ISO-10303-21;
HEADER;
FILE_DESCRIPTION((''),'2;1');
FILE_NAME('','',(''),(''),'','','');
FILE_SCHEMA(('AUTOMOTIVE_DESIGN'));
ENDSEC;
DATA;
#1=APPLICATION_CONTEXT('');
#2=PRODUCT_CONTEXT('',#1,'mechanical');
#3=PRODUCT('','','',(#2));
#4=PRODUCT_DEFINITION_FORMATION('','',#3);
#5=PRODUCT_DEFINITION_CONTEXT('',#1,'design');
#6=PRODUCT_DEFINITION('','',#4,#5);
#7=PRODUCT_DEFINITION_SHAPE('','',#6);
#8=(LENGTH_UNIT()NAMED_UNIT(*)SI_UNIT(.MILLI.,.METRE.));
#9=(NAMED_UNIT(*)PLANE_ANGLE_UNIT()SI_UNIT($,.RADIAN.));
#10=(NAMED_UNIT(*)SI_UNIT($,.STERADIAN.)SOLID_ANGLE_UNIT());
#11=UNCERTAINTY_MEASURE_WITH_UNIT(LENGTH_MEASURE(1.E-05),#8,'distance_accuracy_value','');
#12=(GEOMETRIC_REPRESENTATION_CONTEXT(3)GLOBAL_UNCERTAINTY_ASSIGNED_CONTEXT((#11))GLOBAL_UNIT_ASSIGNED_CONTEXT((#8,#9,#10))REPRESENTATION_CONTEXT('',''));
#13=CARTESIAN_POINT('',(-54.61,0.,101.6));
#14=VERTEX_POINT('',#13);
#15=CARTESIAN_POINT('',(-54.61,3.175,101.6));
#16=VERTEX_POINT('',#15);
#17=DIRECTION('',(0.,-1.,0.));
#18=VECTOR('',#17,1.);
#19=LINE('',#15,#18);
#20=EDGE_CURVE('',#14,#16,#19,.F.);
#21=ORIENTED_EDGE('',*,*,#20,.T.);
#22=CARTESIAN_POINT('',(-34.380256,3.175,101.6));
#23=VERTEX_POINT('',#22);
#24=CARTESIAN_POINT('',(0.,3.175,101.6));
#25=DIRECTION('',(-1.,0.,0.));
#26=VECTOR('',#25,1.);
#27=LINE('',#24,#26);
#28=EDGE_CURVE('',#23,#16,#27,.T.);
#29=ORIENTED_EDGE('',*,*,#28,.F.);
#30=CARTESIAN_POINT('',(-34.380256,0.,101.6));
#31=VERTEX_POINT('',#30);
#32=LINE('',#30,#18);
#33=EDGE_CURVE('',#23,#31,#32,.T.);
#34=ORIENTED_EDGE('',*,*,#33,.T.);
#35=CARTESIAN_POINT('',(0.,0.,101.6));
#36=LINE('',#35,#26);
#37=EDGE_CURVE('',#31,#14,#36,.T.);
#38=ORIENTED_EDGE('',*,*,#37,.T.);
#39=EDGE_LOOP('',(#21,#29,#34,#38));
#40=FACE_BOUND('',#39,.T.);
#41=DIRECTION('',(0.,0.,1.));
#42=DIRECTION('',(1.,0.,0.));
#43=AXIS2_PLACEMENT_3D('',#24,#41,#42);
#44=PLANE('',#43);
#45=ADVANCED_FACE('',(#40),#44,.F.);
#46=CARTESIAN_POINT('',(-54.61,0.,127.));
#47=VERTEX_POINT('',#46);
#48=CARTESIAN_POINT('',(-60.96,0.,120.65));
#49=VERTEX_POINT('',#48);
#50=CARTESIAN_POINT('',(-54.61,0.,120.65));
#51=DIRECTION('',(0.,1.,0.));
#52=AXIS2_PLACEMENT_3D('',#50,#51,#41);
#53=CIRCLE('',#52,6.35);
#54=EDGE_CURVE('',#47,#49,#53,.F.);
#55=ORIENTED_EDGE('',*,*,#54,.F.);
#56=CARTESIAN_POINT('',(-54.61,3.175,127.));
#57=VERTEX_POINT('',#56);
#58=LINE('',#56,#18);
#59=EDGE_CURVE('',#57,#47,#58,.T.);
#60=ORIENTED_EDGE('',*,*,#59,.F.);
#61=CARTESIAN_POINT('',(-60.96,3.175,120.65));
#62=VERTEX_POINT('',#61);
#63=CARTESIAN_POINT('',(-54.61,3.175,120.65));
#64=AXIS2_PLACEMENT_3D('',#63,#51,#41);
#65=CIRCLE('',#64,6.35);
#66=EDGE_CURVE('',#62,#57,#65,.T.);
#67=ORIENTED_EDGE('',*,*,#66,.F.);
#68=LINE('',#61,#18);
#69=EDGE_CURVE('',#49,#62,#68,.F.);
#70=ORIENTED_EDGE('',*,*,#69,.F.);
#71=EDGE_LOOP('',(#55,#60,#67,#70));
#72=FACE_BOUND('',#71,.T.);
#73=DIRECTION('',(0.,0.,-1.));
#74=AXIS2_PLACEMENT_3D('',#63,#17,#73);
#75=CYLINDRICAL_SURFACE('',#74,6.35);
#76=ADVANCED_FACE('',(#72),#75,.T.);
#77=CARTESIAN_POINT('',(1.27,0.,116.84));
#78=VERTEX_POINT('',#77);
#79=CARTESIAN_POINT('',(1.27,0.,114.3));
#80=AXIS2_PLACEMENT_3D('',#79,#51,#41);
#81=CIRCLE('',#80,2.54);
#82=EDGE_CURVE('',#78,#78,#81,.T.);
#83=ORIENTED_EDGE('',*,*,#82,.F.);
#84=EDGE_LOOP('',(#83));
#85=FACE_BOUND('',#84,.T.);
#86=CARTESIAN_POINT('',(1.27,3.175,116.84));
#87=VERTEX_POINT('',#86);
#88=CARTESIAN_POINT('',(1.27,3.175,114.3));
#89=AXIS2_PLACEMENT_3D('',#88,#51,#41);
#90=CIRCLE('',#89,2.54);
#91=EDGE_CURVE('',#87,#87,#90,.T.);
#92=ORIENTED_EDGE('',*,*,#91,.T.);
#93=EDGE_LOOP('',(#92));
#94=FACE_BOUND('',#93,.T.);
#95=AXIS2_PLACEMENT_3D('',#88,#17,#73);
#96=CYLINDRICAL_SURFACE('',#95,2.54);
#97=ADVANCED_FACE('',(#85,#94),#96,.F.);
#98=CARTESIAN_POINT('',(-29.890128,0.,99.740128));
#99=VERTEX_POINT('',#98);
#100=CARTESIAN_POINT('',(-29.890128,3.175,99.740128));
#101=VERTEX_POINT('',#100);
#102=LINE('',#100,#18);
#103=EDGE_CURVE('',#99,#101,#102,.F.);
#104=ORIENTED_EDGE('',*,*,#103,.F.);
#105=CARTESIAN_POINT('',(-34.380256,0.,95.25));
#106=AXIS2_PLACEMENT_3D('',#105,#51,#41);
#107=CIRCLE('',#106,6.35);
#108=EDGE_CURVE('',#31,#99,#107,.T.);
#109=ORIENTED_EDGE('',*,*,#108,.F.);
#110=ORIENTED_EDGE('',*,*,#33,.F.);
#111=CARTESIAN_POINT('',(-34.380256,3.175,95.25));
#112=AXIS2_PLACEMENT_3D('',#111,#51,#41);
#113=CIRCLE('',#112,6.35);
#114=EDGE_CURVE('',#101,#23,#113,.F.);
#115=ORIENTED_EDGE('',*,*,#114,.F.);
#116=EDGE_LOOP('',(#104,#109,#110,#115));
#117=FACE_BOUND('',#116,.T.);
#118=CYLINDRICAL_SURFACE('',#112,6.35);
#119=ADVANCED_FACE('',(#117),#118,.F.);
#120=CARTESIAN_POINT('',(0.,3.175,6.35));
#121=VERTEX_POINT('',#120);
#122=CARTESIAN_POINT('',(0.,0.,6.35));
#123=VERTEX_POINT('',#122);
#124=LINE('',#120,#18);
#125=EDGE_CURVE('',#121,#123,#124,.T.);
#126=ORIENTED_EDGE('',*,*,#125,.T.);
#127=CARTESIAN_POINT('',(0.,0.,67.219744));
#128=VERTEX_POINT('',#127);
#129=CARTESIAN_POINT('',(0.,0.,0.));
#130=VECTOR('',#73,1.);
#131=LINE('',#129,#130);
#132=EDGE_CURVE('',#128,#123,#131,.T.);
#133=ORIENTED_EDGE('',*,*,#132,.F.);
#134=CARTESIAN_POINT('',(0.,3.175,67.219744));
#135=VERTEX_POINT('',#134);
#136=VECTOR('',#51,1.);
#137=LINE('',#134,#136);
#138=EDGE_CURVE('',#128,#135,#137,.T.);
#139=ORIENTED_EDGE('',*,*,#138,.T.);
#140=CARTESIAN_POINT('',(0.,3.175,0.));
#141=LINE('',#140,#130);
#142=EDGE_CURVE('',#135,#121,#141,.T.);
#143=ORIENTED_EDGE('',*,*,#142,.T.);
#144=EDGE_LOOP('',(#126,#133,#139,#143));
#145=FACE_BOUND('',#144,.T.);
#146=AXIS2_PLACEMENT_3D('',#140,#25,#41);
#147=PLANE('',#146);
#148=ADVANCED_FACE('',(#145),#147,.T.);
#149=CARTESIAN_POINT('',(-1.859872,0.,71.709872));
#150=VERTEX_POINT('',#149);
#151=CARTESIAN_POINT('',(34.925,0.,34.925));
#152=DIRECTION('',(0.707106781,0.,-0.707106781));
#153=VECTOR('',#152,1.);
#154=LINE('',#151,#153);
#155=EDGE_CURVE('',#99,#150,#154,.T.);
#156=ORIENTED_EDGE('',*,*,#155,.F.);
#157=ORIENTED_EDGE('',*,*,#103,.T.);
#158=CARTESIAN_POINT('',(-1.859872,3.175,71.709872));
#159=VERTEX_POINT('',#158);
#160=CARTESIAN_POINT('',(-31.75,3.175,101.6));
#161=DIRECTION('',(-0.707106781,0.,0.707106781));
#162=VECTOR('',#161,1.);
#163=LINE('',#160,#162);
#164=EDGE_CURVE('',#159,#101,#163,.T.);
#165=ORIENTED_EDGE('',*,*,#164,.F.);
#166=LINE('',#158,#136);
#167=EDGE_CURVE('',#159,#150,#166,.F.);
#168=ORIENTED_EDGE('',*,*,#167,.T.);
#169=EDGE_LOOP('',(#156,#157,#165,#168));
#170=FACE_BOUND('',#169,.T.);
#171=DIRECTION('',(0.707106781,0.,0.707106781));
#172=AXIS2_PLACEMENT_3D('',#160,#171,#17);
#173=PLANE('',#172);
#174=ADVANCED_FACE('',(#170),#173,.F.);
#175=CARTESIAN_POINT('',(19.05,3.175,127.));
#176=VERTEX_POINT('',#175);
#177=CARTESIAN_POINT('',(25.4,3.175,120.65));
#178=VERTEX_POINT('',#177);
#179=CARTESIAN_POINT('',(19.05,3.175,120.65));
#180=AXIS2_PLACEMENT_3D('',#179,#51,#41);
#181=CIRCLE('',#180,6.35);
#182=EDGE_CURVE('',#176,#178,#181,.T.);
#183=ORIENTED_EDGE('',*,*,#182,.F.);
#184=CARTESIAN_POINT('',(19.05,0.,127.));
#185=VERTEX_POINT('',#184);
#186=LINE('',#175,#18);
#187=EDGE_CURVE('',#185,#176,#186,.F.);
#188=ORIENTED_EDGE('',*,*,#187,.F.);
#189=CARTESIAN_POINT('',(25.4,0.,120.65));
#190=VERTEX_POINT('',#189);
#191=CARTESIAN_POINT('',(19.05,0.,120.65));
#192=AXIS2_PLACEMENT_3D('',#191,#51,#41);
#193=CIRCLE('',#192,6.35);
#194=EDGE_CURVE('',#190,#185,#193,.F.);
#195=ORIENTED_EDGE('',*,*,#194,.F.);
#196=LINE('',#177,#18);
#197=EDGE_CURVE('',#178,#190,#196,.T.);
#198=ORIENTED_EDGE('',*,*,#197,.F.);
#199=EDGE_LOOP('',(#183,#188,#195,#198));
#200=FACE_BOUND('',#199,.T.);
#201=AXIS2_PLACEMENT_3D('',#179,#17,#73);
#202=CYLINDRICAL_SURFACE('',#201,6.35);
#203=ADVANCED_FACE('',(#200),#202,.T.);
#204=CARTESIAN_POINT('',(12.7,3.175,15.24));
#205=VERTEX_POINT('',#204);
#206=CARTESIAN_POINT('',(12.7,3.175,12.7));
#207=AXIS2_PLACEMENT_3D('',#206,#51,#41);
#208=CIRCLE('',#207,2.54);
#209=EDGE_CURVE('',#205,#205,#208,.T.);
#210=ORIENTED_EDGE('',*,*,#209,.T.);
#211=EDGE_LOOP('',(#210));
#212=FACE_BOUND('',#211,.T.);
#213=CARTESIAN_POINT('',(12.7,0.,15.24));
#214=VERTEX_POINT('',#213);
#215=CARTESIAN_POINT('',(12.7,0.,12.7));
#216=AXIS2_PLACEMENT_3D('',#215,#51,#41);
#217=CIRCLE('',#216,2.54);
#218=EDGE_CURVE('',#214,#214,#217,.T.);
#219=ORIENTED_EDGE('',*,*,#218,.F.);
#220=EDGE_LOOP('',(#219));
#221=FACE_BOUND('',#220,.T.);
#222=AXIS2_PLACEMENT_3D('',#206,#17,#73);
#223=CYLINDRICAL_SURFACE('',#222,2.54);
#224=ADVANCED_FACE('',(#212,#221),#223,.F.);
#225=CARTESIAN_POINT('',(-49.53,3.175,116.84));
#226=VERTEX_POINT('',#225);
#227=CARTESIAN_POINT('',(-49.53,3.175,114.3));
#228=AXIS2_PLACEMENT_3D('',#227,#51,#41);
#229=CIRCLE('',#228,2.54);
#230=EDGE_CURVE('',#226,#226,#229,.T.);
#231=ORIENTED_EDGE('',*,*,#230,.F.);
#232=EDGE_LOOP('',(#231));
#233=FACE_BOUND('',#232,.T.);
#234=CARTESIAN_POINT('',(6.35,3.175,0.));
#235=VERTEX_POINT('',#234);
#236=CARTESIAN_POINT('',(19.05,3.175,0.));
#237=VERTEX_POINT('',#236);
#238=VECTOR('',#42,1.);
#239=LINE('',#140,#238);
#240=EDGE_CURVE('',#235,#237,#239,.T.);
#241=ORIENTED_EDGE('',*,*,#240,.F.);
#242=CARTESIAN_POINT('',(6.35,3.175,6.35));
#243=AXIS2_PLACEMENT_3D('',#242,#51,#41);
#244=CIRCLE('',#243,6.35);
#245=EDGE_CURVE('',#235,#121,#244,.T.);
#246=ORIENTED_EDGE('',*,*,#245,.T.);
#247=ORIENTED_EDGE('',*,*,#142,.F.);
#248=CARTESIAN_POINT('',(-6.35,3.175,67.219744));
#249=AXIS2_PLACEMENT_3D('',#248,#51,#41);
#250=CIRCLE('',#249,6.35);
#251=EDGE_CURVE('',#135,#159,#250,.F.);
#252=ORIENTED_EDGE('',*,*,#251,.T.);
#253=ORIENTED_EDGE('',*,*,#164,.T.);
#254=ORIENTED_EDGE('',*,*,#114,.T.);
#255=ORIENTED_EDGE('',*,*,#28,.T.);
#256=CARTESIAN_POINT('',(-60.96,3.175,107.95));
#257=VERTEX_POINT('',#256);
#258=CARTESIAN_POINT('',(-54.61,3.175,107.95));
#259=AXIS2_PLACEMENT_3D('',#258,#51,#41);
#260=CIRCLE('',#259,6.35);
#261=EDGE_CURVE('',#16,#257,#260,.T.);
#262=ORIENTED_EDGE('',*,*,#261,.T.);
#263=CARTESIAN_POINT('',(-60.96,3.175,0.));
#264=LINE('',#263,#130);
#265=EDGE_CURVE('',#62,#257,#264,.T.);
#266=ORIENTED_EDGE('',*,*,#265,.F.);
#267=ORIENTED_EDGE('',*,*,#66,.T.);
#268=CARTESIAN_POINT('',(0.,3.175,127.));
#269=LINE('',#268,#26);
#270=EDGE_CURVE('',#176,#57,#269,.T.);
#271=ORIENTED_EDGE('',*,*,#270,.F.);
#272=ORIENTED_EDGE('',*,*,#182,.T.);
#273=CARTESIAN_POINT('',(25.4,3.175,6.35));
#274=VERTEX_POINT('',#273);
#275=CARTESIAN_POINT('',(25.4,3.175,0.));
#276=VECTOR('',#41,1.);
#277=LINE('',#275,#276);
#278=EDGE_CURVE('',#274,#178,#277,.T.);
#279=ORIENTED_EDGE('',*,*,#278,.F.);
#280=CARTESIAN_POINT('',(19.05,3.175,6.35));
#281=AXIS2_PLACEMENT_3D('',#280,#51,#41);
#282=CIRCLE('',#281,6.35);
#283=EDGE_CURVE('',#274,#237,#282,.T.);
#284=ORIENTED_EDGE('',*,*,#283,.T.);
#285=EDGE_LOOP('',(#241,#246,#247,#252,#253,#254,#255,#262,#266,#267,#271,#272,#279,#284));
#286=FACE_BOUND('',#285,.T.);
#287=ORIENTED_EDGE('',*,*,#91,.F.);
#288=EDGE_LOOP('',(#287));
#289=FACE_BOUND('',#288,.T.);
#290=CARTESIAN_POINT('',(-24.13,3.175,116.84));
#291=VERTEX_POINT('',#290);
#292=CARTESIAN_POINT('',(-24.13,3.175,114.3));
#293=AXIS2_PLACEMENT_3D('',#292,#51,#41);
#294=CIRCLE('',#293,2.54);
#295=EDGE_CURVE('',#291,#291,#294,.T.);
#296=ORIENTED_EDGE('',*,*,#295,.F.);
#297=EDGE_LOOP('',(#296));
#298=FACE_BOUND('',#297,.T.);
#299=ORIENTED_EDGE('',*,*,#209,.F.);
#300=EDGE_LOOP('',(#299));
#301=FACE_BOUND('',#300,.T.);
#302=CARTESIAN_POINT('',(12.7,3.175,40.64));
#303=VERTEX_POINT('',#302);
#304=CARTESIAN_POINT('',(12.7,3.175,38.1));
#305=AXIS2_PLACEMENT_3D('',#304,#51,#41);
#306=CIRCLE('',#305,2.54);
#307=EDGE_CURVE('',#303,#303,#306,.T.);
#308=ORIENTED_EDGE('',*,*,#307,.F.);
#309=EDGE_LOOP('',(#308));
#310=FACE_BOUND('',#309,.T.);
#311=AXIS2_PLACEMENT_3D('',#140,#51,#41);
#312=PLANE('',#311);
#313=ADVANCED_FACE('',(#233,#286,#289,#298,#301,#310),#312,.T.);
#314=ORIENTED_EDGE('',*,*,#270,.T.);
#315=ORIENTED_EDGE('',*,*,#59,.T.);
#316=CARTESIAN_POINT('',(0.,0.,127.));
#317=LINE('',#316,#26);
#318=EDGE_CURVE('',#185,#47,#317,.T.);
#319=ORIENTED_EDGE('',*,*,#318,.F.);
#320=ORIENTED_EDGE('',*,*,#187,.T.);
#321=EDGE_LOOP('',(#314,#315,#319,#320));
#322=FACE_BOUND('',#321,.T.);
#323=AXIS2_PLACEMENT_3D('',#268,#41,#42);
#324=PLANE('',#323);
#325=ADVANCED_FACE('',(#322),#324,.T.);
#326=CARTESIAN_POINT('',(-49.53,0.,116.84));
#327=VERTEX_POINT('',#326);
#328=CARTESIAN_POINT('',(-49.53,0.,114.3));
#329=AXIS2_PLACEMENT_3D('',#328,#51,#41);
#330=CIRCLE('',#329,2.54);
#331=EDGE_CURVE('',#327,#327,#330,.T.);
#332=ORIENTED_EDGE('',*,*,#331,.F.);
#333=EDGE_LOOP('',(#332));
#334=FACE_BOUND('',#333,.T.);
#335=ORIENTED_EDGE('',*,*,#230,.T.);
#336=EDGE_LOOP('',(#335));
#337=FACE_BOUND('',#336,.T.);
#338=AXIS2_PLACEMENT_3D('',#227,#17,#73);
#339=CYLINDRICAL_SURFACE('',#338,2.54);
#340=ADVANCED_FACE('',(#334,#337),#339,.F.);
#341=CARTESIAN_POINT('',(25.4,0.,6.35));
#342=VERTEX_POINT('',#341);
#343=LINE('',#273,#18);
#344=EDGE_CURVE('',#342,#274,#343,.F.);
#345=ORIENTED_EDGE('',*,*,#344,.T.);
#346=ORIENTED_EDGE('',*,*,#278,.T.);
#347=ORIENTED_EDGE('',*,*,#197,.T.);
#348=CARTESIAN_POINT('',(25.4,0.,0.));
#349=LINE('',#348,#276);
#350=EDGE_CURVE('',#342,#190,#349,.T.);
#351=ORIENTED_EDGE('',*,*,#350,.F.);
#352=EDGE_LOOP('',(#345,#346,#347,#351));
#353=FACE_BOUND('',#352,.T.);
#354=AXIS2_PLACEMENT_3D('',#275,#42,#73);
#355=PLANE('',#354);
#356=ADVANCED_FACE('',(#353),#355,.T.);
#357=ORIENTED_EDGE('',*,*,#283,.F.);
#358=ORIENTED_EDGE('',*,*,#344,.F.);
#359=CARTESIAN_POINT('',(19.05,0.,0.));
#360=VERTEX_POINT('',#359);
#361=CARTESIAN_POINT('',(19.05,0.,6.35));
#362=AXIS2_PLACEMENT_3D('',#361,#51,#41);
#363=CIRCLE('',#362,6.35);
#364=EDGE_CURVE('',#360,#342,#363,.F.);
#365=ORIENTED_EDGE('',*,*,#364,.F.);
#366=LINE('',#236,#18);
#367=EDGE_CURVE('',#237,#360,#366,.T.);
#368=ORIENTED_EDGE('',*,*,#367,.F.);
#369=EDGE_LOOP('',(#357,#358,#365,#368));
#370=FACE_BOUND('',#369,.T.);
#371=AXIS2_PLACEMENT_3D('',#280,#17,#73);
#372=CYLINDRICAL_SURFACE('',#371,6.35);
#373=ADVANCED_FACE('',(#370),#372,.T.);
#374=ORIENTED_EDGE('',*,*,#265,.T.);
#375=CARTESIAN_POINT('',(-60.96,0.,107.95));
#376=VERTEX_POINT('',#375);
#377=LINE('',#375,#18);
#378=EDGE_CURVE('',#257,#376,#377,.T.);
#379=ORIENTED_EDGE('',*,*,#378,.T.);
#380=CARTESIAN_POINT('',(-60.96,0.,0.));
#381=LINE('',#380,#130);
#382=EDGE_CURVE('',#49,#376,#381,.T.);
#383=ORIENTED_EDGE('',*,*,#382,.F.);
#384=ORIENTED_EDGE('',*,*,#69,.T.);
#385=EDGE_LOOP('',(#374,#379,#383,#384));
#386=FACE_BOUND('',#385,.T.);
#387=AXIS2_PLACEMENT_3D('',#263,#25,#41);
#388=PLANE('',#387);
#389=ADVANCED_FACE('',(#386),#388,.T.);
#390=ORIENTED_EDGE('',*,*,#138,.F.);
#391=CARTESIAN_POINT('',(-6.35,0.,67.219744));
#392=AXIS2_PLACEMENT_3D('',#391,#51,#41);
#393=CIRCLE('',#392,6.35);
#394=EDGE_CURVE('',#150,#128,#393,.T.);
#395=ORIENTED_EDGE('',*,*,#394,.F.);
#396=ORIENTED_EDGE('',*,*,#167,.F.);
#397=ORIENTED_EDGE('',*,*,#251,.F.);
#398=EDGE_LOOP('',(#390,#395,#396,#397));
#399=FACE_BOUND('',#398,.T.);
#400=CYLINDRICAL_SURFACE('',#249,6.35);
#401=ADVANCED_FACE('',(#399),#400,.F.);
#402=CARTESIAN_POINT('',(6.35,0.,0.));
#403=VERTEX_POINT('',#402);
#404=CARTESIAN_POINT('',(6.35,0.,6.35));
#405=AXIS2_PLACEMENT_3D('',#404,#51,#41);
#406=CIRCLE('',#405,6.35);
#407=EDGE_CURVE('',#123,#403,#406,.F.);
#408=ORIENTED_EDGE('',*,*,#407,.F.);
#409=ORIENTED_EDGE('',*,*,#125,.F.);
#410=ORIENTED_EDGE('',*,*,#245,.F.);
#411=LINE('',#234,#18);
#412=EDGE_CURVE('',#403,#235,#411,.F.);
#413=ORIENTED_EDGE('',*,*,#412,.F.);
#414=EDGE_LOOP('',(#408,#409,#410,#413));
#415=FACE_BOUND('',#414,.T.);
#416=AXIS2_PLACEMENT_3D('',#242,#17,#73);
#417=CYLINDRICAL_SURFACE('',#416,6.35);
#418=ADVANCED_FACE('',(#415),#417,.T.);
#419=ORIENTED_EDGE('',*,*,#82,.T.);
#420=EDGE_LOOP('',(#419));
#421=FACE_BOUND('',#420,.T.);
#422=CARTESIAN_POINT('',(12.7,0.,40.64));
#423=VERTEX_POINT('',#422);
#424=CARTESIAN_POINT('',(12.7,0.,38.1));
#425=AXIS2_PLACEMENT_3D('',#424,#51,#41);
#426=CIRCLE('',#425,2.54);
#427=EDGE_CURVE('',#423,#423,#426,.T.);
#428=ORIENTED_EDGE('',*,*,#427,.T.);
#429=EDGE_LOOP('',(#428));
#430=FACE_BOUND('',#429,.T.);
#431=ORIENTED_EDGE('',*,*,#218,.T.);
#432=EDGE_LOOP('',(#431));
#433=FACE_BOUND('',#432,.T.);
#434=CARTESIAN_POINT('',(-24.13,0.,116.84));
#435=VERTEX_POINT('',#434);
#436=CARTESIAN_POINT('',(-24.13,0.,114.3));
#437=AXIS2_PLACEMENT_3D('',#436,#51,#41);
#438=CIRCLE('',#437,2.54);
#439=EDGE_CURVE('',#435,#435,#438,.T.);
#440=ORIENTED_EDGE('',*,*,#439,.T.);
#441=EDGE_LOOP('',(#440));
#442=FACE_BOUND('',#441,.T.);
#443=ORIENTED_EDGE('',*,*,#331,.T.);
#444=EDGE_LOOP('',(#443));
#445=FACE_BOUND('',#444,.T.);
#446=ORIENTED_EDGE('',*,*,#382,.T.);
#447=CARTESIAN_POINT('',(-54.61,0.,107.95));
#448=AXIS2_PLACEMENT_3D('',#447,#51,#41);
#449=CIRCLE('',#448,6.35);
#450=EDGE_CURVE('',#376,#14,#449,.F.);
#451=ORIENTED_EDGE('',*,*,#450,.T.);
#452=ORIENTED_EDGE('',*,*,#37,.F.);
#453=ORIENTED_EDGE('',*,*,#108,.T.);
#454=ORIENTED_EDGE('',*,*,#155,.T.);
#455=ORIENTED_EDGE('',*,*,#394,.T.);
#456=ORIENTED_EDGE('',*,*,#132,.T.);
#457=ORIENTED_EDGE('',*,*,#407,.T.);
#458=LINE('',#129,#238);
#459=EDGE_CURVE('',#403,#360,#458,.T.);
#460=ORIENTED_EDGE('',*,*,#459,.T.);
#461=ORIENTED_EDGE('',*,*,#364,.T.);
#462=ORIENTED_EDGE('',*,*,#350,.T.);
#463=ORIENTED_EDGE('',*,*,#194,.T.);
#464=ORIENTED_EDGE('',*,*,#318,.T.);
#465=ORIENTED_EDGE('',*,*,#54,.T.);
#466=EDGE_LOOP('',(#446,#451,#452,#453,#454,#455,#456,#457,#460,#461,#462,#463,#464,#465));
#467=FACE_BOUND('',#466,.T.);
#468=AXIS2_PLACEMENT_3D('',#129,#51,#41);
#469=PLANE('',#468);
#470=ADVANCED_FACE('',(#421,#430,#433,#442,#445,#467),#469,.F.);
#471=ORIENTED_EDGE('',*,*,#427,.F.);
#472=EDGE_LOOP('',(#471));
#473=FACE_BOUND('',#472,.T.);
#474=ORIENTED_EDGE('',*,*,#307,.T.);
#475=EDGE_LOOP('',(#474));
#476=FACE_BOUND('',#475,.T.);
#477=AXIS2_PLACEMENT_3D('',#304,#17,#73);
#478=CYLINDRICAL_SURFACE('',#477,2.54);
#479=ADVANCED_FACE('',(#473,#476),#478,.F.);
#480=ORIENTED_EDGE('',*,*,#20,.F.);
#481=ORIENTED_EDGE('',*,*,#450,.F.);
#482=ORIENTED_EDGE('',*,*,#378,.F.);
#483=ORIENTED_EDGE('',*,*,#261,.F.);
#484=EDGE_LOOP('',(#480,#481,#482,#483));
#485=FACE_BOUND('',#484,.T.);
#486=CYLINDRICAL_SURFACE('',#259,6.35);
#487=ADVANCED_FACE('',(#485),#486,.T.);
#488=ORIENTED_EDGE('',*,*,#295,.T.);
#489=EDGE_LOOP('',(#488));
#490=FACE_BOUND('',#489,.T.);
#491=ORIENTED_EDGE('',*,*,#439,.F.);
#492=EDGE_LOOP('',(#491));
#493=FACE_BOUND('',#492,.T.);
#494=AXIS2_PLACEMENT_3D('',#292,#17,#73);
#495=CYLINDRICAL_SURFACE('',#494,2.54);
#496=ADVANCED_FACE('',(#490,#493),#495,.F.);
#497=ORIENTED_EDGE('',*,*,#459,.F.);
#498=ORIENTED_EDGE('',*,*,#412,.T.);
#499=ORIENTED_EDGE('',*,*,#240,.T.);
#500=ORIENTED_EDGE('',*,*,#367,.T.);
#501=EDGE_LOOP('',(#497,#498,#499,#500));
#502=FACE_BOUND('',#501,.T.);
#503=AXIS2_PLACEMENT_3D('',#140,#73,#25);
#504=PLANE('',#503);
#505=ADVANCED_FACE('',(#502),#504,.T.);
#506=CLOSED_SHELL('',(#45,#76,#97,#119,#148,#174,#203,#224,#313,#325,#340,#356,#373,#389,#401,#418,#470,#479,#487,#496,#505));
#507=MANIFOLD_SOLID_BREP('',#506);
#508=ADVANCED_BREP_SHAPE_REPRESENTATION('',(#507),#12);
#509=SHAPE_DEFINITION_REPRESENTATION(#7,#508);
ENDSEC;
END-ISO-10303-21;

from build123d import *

# Parameters (mm, degrees)
SKETCH1_R           = 2.54
BOSS_EXTRUDE1_DEPTH = 3.175
CHAMFER1_SIZE       = 31.75
FILLET1_R           = 6.35


with BuildPart() as part:
    # Sketch1 → Boss-Extrude1 (new body)
    with BuildSketch(Plane(origin=(0, 0, 0), x_dir=(1, 0, 0), z_dir=(0, 1, 0))):
        Polygon((25.4, 0), (0, 0), (0, -101.6), (-60.96, -101.6), (-60.96, -127), (25.4, -127), align=None)
        with Locations(Location((1.27, -114.3, 0), (0, 0, 270))):
            Circle(SKETCH1_R, mode=Mode.SUBTRACT)
        with Locations(Location((12.7, -12.7, 0), (0, 0, 270))):
            Circle(SKETCH1_R, mode=Mode.SUBTRACT)
        with Locations(Location((12.7, -38.1, 0), (0, 0, 270))):
            Circle(SKETCH1_R, mode=Mode.SUBTRACT)
        with Locations(Location((-24.13, -114.3, 0), (0, 0, 270))):
            Circle(SKETCH1_R, mode=Mode.SUBTRACT)
        with Locations(Location((-49.53, -114.3, 0), (0, 0, 270))):
            Circle(SKETCH1_R, mode=Mode.SUBTRACT)
    extrude(amount=BOSS_EXTRUDE1_DEPTH)

    # Chamfer1
    chamfer1_edges = [part.edges().sort_by_distance(p)[0] for p in [
        (0, 1.5875, 101.6),
    ]]
    chamfer(chamfer1_edges, length=CHAMFER1_SIZE)

    # Fillet1
    fillet1_edges = [part.edges().sort_by_distance(p)[0] for p in [
        (-60.96, 1.5875, 101.6),
        (0, 1.5875, 0),
        (25.4, 1.5875, 0),
        (25.4, 1.5875, 127),
        (-60.96, 1.5875, 127),
        (-31.75, 1.5875, 101.6),
        (0, 1.5875, 69.85),
    ]]
    fillet(fillet1_edges, radius=FILLET1_R)


solid = part.part
